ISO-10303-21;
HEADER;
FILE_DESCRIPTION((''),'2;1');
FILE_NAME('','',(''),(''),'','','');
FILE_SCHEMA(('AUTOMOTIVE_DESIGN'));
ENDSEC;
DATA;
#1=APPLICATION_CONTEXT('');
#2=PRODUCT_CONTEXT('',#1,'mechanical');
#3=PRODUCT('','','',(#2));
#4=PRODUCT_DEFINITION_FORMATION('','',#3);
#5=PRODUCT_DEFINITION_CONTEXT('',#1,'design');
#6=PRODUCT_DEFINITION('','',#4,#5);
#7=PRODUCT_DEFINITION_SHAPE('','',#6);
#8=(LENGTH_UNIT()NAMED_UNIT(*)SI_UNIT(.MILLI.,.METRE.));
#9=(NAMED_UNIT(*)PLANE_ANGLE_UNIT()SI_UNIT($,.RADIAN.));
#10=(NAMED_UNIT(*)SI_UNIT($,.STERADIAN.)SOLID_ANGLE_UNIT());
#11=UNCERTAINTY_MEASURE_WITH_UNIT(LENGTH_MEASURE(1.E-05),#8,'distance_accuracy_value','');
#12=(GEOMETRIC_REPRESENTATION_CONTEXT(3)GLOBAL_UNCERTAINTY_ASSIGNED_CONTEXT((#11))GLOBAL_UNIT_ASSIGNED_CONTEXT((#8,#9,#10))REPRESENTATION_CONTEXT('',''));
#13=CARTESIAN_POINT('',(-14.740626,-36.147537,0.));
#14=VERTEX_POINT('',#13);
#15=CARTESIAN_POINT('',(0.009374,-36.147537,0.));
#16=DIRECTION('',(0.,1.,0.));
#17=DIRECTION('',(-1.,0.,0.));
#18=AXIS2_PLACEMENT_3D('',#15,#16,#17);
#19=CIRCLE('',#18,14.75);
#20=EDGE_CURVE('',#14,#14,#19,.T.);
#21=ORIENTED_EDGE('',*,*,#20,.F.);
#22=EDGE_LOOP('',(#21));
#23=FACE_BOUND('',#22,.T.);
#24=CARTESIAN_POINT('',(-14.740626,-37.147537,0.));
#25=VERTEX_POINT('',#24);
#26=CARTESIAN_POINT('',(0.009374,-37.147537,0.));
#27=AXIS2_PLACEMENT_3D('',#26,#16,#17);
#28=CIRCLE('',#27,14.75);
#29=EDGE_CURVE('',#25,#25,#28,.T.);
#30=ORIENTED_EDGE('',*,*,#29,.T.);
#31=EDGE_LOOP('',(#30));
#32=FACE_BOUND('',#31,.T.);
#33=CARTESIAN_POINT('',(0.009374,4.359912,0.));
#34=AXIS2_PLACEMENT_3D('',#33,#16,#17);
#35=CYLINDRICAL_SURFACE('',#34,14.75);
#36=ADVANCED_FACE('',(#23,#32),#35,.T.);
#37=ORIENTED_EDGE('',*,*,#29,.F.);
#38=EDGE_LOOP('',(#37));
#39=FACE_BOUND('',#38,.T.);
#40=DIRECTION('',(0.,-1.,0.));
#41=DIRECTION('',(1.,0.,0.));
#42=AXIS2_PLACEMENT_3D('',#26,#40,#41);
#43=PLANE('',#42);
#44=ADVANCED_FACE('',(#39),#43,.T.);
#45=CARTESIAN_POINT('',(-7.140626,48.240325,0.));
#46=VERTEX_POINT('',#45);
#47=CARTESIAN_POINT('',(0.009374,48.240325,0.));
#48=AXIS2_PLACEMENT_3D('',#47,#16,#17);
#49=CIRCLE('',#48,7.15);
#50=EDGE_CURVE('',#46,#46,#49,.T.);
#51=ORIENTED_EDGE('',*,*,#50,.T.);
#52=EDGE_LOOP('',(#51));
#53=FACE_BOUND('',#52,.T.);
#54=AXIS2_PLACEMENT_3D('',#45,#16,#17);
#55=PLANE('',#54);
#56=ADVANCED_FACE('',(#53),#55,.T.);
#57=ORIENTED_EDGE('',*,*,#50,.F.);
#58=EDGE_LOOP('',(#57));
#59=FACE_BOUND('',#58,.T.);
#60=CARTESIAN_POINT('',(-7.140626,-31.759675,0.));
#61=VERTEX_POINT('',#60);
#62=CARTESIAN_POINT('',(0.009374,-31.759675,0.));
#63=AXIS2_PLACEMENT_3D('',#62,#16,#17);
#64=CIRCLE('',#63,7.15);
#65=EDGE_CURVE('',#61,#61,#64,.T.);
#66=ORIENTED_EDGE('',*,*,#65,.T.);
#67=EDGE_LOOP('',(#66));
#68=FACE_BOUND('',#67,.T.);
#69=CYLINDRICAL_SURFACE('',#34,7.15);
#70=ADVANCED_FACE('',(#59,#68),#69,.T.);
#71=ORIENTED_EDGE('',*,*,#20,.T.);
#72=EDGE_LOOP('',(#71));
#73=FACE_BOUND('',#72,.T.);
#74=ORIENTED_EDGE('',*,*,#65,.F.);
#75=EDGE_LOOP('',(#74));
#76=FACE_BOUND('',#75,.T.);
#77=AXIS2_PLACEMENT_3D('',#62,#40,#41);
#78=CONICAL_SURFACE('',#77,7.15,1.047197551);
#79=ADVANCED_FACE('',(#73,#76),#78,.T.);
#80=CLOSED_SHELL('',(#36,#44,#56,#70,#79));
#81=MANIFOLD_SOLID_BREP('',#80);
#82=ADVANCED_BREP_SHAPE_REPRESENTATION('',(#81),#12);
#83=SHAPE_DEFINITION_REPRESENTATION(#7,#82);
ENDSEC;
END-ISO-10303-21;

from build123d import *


with BuildPart() as part:
    # Sketch1 → Revolve1 (revolve)
    with BuildSketch(Plane.XY):
        Polygon((0.009374143, -37.147536967), (-14.740625857, -37.147536967), (-14.740625857, -36.147536967), (-7.140625857, -31.759674921), (-7.140625857, 48.240325079), (0.009374143, 48.240325079), (0.009374143, -31.967159679), align=None)
    revolve(axis=Axis((0.009374143, 4.359912343, 0), (0, -1, 0)))


solid = part.part
